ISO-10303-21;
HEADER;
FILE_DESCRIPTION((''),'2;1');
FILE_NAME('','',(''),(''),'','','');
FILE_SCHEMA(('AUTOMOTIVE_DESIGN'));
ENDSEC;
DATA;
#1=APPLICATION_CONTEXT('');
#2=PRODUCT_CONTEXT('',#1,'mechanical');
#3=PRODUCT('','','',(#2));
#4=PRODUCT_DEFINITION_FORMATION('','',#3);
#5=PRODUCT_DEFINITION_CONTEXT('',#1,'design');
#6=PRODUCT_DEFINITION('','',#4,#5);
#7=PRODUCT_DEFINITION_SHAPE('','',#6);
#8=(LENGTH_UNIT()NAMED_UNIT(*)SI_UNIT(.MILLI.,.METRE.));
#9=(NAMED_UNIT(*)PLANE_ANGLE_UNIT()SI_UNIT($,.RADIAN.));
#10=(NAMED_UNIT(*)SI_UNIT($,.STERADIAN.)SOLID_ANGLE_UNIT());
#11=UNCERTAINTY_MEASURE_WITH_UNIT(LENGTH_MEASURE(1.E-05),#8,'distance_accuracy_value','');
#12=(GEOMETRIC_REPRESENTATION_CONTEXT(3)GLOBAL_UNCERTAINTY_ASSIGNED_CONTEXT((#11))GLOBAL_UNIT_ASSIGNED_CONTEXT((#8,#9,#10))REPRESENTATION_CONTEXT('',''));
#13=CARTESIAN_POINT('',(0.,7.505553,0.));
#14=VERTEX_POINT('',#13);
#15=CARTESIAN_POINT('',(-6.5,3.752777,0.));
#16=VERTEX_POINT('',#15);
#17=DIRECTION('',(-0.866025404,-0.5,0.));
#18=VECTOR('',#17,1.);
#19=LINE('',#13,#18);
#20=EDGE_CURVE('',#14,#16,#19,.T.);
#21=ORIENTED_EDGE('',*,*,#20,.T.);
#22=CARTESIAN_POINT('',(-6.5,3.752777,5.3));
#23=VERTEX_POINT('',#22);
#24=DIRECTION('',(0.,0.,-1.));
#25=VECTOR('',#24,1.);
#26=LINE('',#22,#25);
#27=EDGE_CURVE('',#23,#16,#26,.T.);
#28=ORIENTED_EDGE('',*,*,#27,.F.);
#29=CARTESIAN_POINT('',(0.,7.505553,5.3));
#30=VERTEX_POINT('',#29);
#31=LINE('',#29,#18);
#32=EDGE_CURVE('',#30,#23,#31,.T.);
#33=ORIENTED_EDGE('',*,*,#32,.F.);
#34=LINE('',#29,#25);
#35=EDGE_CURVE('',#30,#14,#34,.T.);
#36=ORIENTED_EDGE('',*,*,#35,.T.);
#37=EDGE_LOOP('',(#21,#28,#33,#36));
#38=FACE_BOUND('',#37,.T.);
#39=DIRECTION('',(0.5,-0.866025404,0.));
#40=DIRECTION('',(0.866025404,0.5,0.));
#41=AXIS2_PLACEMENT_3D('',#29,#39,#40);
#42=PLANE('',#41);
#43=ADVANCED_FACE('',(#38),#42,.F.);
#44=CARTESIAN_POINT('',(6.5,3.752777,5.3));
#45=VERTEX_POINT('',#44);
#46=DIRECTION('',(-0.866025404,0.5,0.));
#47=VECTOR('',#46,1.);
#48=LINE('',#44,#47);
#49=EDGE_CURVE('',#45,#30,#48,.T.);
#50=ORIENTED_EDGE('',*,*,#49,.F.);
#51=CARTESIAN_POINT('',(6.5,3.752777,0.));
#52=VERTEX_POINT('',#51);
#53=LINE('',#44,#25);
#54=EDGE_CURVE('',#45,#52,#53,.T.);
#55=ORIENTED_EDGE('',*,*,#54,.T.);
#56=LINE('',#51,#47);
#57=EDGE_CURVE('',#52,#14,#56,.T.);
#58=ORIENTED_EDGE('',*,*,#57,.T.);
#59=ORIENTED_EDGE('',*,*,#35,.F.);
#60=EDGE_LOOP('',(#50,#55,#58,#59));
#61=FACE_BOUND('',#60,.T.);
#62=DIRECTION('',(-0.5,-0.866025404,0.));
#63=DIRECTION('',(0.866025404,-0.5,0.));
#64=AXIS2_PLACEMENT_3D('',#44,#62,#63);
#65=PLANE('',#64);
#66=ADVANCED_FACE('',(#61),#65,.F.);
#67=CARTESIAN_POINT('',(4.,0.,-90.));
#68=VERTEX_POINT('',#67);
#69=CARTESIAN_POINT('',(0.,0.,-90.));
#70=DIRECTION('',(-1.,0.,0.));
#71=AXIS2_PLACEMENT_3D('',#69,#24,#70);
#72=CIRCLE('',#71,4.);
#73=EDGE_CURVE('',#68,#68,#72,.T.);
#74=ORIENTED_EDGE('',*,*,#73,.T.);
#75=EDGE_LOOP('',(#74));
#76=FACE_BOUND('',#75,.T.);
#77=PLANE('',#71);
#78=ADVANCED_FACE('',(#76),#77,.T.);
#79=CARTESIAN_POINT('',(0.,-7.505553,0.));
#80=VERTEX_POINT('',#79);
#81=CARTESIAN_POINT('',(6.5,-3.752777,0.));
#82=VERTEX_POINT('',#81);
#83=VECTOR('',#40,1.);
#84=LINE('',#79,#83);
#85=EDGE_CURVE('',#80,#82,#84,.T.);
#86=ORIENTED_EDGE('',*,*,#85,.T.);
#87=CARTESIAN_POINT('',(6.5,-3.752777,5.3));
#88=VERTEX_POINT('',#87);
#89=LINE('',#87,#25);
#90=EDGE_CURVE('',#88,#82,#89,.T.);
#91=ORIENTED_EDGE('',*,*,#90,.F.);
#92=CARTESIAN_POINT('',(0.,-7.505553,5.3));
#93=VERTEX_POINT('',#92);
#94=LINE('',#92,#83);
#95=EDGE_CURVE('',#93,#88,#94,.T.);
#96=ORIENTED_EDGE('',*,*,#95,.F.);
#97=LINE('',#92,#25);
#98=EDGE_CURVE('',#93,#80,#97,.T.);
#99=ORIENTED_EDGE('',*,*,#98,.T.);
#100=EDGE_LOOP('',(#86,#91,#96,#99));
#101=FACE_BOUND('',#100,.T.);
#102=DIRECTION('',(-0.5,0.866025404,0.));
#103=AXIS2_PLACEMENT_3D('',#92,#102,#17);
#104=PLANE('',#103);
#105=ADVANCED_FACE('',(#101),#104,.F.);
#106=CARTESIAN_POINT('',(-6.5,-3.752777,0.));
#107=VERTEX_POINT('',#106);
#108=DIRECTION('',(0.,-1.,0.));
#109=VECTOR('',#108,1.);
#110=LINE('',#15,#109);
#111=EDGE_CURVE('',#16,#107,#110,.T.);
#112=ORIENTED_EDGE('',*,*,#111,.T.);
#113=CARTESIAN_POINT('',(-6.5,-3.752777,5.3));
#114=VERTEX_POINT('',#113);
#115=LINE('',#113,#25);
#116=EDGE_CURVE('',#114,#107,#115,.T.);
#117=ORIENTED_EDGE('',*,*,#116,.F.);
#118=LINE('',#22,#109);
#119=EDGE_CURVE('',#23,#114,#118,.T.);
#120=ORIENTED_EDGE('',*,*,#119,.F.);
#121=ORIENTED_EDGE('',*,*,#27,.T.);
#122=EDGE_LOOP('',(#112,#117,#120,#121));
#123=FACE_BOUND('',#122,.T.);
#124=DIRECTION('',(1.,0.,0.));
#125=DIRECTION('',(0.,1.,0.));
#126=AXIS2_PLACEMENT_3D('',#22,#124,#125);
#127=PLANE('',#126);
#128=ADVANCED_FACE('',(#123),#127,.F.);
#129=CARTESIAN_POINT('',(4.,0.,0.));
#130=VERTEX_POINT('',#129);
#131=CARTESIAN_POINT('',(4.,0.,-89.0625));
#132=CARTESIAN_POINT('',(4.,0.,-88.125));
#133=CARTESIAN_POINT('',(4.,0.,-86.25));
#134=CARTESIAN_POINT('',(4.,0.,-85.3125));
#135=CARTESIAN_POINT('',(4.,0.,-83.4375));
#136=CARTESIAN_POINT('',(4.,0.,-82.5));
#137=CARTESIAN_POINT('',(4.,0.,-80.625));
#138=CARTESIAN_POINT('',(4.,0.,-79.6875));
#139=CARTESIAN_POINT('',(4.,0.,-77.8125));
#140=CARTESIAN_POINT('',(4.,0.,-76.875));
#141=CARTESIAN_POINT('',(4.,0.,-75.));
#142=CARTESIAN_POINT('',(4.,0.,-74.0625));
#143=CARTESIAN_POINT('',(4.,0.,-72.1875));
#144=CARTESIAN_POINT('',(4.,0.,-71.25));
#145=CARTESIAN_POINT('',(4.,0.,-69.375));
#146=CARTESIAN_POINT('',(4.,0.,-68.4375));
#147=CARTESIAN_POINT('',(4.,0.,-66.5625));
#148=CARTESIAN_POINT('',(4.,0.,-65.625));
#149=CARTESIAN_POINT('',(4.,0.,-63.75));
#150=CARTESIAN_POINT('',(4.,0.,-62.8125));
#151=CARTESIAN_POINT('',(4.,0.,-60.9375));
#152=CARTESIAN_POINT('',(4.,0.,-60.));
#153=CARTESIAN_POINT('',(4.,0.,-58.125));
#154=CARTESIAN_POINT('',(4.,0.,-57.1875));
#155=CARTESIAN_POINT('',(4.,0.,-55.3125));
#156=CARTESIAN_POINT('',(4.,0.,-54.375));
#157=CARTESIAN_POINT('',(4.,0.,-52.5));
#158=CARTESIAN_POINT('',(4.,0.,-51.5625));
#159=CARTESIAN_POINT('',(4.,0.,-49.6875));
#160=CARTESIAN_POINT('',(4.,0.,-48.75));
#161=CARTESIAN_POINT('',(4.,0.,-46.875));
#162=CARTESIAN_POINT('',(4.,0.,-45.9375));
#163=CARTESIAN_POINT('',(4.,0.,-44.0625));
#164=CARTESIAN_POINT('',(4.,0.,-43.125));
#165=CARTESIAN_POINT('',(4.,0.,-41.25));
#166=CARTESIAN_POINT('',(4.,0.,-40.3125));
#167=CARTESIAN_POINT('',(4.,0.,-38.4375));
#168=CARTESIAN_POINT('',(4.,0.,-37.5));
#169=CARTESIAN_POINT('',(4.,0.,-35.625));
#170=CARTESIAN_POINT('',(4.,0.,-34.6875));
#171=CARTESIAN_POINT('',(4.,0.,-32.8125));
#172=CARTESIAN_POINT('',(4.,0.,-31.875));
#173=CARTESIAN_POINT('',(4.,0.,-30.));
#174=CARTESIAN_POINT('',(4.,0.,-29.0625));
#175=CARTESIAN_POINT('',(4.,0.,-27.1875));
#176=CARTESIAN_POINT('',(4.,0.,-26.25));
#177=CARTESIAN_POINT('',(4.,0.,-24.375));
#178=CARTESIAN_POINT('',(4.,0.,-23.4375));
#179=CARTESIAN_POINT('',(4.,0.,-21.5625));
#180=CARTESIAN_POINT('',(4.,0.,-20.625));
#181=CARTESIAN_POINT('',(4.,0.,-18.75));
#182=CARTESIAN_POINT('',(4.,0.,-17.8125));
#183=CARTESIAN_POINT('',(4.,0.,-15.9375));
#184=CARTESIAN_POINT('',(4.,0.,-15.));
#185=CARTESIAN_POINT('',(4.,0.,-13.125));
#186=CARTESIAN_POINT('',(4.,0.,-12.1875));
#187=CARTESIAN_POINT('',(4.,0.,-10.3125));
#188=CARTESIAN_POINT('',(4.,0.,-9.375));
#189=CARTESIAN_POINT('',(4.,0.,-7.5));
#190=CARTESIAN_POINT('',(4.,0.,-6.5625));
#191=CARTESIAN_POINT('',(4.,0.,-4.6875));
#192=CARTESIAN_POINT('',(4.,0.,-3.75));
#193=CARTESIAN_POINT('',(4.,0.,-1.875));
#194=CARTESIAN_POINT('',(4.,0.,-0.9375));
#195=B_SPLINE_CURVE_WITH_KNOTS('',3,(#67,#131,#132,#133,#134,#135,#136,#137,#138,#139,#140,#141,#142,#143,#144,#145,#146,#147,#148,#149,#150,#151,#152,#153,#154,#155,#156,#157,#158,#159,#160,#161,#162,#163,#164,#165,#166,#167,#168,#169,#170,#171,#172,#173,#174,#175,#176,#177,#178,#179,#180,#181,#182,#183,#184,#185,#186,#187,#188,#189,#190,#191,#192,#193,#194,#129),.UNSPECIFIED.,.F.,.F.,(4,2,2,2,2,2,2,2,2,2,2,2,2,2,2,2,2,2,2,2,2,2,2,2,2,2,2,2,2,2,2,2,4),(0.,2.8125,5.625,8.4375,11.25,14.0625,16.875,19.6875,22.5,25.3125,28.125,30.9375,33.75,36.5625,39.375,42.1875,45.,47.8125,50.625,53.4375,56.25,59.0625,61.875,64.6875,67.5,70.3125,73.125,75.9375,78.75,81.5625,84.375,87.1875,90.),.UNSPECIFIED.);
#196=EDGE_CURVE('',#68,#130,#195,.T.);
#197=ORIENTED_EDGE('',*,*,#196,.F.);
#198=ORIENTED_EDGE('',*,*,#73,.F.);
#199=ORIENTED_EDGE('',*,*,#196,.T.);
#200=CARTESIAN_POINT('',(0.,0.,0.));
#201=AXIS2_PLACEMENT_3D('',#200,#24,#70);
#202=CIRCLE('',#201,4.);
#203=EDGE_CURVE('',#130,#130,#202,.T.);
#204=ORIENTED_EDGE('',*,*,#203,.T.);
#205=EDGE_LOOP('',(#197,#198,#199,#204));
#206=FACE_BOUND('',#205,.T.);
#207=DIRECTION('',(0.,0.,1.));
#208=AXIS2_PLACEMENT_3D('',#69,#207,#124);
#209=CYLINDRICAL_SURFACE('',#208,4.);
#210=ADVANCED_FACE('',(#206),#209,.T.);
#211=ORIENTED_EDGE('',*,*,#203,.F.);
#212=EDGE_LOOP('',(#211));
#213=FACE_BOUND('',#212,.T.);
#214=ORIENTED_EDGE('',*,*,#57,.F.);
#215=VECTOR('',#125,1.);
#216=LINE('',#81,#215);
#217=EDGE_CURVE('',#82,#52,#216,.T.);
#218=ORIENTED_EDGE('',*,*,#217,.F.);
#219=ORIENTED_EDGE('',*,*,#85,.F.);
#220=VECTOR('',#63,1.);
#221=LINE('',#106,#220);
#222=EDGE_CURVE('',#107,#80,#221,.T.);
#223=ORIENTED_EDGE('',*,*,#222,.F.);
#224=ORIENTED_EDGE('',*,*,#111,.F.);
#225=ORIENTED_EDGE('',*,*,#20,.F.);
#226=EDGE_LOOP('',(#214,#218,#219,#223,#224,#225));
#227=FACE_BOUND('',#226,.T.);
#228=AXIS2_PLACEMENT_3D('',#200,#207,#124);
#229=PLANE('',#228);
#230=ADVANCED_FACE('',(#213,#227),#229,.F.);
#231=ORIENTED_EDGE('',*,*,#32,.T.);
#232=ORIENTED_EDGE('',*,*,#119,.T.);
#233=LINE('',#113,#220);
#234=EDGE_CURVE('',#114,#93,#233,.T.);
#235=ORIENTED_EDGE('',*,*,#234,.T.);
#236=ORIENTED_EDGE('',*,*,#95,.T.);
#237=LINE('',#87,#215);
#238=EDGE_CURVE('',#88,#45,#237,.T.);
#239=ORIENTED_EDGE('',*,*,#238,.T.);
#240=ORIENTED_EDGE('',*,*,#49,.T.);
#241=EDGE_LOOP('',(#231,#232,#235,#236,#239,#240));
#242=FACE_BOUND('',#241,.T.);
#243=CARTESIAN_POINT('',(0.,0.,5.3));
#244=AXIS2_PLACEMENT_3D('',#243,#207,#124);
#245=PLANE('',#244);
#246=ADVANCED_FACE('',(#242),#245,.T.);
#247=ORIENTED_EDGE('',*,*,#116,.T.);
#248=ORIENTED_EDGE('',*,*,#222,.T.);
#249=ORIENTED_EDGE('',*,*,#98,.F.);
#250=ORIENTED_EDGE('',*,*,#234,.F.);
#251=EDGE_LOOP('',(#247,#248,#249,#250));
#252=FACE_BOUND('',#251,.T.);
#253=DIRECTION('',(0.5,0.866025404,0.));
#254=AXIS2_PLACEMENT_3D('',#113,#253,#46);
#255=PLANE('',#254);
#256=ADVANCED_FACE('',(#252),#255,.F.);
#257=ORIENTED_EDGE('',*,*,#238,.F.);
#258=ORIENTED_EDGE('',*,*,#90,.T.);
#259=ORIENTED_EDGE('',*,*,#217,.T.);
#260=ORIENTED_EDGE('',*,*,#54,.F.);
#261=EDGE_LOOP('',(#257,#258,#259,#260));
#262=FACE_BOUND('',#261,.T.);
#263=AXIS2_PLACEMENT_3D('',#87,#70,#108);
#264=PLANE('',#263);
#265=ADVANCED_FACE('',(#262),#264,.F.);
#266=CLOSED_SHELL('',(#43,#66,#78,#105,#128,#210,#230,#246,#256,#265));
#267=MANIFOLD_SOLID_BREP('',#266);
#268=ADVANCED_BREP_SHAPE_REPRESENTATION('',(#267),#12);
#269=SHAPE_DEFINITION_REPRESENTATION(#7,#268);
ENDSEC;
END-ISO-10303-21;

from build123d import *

# Parameters (mm, degrees)
EXTRUDE_357_DEPTH = 5.3
SKETCH_2_R        = 4
EXTRUDE_545_DEPTH = 90


with BuildPart() as part:
    # Эскиз1 → Extrude 357 (new body)
    with BuildSketch(Plane.XY):
        Polygon((0, 7.505553499), (-6.5, 3.75277675), (-6.5, -3.75277675), (0, -7.505553499), (6.5, -3.75277675), (6.5, 3.75277675), align=None)
    extrude(amount=EXTRUDE_357_DEPTH)

    # Эскиз2 → Extrude 545 (add)
    with BuildSketch(Plane(origin=(0, 0, 0), x_dir=(-1, 0, 0), z_dir=(0, 0, -1))):
        with Locations(Location((0, 0, 0), (0, 0, 180))):
            Circle(SKETCH_2_R)
    extrude(amount=EXTRUDE_545_DEPTH)


solid = part.part
